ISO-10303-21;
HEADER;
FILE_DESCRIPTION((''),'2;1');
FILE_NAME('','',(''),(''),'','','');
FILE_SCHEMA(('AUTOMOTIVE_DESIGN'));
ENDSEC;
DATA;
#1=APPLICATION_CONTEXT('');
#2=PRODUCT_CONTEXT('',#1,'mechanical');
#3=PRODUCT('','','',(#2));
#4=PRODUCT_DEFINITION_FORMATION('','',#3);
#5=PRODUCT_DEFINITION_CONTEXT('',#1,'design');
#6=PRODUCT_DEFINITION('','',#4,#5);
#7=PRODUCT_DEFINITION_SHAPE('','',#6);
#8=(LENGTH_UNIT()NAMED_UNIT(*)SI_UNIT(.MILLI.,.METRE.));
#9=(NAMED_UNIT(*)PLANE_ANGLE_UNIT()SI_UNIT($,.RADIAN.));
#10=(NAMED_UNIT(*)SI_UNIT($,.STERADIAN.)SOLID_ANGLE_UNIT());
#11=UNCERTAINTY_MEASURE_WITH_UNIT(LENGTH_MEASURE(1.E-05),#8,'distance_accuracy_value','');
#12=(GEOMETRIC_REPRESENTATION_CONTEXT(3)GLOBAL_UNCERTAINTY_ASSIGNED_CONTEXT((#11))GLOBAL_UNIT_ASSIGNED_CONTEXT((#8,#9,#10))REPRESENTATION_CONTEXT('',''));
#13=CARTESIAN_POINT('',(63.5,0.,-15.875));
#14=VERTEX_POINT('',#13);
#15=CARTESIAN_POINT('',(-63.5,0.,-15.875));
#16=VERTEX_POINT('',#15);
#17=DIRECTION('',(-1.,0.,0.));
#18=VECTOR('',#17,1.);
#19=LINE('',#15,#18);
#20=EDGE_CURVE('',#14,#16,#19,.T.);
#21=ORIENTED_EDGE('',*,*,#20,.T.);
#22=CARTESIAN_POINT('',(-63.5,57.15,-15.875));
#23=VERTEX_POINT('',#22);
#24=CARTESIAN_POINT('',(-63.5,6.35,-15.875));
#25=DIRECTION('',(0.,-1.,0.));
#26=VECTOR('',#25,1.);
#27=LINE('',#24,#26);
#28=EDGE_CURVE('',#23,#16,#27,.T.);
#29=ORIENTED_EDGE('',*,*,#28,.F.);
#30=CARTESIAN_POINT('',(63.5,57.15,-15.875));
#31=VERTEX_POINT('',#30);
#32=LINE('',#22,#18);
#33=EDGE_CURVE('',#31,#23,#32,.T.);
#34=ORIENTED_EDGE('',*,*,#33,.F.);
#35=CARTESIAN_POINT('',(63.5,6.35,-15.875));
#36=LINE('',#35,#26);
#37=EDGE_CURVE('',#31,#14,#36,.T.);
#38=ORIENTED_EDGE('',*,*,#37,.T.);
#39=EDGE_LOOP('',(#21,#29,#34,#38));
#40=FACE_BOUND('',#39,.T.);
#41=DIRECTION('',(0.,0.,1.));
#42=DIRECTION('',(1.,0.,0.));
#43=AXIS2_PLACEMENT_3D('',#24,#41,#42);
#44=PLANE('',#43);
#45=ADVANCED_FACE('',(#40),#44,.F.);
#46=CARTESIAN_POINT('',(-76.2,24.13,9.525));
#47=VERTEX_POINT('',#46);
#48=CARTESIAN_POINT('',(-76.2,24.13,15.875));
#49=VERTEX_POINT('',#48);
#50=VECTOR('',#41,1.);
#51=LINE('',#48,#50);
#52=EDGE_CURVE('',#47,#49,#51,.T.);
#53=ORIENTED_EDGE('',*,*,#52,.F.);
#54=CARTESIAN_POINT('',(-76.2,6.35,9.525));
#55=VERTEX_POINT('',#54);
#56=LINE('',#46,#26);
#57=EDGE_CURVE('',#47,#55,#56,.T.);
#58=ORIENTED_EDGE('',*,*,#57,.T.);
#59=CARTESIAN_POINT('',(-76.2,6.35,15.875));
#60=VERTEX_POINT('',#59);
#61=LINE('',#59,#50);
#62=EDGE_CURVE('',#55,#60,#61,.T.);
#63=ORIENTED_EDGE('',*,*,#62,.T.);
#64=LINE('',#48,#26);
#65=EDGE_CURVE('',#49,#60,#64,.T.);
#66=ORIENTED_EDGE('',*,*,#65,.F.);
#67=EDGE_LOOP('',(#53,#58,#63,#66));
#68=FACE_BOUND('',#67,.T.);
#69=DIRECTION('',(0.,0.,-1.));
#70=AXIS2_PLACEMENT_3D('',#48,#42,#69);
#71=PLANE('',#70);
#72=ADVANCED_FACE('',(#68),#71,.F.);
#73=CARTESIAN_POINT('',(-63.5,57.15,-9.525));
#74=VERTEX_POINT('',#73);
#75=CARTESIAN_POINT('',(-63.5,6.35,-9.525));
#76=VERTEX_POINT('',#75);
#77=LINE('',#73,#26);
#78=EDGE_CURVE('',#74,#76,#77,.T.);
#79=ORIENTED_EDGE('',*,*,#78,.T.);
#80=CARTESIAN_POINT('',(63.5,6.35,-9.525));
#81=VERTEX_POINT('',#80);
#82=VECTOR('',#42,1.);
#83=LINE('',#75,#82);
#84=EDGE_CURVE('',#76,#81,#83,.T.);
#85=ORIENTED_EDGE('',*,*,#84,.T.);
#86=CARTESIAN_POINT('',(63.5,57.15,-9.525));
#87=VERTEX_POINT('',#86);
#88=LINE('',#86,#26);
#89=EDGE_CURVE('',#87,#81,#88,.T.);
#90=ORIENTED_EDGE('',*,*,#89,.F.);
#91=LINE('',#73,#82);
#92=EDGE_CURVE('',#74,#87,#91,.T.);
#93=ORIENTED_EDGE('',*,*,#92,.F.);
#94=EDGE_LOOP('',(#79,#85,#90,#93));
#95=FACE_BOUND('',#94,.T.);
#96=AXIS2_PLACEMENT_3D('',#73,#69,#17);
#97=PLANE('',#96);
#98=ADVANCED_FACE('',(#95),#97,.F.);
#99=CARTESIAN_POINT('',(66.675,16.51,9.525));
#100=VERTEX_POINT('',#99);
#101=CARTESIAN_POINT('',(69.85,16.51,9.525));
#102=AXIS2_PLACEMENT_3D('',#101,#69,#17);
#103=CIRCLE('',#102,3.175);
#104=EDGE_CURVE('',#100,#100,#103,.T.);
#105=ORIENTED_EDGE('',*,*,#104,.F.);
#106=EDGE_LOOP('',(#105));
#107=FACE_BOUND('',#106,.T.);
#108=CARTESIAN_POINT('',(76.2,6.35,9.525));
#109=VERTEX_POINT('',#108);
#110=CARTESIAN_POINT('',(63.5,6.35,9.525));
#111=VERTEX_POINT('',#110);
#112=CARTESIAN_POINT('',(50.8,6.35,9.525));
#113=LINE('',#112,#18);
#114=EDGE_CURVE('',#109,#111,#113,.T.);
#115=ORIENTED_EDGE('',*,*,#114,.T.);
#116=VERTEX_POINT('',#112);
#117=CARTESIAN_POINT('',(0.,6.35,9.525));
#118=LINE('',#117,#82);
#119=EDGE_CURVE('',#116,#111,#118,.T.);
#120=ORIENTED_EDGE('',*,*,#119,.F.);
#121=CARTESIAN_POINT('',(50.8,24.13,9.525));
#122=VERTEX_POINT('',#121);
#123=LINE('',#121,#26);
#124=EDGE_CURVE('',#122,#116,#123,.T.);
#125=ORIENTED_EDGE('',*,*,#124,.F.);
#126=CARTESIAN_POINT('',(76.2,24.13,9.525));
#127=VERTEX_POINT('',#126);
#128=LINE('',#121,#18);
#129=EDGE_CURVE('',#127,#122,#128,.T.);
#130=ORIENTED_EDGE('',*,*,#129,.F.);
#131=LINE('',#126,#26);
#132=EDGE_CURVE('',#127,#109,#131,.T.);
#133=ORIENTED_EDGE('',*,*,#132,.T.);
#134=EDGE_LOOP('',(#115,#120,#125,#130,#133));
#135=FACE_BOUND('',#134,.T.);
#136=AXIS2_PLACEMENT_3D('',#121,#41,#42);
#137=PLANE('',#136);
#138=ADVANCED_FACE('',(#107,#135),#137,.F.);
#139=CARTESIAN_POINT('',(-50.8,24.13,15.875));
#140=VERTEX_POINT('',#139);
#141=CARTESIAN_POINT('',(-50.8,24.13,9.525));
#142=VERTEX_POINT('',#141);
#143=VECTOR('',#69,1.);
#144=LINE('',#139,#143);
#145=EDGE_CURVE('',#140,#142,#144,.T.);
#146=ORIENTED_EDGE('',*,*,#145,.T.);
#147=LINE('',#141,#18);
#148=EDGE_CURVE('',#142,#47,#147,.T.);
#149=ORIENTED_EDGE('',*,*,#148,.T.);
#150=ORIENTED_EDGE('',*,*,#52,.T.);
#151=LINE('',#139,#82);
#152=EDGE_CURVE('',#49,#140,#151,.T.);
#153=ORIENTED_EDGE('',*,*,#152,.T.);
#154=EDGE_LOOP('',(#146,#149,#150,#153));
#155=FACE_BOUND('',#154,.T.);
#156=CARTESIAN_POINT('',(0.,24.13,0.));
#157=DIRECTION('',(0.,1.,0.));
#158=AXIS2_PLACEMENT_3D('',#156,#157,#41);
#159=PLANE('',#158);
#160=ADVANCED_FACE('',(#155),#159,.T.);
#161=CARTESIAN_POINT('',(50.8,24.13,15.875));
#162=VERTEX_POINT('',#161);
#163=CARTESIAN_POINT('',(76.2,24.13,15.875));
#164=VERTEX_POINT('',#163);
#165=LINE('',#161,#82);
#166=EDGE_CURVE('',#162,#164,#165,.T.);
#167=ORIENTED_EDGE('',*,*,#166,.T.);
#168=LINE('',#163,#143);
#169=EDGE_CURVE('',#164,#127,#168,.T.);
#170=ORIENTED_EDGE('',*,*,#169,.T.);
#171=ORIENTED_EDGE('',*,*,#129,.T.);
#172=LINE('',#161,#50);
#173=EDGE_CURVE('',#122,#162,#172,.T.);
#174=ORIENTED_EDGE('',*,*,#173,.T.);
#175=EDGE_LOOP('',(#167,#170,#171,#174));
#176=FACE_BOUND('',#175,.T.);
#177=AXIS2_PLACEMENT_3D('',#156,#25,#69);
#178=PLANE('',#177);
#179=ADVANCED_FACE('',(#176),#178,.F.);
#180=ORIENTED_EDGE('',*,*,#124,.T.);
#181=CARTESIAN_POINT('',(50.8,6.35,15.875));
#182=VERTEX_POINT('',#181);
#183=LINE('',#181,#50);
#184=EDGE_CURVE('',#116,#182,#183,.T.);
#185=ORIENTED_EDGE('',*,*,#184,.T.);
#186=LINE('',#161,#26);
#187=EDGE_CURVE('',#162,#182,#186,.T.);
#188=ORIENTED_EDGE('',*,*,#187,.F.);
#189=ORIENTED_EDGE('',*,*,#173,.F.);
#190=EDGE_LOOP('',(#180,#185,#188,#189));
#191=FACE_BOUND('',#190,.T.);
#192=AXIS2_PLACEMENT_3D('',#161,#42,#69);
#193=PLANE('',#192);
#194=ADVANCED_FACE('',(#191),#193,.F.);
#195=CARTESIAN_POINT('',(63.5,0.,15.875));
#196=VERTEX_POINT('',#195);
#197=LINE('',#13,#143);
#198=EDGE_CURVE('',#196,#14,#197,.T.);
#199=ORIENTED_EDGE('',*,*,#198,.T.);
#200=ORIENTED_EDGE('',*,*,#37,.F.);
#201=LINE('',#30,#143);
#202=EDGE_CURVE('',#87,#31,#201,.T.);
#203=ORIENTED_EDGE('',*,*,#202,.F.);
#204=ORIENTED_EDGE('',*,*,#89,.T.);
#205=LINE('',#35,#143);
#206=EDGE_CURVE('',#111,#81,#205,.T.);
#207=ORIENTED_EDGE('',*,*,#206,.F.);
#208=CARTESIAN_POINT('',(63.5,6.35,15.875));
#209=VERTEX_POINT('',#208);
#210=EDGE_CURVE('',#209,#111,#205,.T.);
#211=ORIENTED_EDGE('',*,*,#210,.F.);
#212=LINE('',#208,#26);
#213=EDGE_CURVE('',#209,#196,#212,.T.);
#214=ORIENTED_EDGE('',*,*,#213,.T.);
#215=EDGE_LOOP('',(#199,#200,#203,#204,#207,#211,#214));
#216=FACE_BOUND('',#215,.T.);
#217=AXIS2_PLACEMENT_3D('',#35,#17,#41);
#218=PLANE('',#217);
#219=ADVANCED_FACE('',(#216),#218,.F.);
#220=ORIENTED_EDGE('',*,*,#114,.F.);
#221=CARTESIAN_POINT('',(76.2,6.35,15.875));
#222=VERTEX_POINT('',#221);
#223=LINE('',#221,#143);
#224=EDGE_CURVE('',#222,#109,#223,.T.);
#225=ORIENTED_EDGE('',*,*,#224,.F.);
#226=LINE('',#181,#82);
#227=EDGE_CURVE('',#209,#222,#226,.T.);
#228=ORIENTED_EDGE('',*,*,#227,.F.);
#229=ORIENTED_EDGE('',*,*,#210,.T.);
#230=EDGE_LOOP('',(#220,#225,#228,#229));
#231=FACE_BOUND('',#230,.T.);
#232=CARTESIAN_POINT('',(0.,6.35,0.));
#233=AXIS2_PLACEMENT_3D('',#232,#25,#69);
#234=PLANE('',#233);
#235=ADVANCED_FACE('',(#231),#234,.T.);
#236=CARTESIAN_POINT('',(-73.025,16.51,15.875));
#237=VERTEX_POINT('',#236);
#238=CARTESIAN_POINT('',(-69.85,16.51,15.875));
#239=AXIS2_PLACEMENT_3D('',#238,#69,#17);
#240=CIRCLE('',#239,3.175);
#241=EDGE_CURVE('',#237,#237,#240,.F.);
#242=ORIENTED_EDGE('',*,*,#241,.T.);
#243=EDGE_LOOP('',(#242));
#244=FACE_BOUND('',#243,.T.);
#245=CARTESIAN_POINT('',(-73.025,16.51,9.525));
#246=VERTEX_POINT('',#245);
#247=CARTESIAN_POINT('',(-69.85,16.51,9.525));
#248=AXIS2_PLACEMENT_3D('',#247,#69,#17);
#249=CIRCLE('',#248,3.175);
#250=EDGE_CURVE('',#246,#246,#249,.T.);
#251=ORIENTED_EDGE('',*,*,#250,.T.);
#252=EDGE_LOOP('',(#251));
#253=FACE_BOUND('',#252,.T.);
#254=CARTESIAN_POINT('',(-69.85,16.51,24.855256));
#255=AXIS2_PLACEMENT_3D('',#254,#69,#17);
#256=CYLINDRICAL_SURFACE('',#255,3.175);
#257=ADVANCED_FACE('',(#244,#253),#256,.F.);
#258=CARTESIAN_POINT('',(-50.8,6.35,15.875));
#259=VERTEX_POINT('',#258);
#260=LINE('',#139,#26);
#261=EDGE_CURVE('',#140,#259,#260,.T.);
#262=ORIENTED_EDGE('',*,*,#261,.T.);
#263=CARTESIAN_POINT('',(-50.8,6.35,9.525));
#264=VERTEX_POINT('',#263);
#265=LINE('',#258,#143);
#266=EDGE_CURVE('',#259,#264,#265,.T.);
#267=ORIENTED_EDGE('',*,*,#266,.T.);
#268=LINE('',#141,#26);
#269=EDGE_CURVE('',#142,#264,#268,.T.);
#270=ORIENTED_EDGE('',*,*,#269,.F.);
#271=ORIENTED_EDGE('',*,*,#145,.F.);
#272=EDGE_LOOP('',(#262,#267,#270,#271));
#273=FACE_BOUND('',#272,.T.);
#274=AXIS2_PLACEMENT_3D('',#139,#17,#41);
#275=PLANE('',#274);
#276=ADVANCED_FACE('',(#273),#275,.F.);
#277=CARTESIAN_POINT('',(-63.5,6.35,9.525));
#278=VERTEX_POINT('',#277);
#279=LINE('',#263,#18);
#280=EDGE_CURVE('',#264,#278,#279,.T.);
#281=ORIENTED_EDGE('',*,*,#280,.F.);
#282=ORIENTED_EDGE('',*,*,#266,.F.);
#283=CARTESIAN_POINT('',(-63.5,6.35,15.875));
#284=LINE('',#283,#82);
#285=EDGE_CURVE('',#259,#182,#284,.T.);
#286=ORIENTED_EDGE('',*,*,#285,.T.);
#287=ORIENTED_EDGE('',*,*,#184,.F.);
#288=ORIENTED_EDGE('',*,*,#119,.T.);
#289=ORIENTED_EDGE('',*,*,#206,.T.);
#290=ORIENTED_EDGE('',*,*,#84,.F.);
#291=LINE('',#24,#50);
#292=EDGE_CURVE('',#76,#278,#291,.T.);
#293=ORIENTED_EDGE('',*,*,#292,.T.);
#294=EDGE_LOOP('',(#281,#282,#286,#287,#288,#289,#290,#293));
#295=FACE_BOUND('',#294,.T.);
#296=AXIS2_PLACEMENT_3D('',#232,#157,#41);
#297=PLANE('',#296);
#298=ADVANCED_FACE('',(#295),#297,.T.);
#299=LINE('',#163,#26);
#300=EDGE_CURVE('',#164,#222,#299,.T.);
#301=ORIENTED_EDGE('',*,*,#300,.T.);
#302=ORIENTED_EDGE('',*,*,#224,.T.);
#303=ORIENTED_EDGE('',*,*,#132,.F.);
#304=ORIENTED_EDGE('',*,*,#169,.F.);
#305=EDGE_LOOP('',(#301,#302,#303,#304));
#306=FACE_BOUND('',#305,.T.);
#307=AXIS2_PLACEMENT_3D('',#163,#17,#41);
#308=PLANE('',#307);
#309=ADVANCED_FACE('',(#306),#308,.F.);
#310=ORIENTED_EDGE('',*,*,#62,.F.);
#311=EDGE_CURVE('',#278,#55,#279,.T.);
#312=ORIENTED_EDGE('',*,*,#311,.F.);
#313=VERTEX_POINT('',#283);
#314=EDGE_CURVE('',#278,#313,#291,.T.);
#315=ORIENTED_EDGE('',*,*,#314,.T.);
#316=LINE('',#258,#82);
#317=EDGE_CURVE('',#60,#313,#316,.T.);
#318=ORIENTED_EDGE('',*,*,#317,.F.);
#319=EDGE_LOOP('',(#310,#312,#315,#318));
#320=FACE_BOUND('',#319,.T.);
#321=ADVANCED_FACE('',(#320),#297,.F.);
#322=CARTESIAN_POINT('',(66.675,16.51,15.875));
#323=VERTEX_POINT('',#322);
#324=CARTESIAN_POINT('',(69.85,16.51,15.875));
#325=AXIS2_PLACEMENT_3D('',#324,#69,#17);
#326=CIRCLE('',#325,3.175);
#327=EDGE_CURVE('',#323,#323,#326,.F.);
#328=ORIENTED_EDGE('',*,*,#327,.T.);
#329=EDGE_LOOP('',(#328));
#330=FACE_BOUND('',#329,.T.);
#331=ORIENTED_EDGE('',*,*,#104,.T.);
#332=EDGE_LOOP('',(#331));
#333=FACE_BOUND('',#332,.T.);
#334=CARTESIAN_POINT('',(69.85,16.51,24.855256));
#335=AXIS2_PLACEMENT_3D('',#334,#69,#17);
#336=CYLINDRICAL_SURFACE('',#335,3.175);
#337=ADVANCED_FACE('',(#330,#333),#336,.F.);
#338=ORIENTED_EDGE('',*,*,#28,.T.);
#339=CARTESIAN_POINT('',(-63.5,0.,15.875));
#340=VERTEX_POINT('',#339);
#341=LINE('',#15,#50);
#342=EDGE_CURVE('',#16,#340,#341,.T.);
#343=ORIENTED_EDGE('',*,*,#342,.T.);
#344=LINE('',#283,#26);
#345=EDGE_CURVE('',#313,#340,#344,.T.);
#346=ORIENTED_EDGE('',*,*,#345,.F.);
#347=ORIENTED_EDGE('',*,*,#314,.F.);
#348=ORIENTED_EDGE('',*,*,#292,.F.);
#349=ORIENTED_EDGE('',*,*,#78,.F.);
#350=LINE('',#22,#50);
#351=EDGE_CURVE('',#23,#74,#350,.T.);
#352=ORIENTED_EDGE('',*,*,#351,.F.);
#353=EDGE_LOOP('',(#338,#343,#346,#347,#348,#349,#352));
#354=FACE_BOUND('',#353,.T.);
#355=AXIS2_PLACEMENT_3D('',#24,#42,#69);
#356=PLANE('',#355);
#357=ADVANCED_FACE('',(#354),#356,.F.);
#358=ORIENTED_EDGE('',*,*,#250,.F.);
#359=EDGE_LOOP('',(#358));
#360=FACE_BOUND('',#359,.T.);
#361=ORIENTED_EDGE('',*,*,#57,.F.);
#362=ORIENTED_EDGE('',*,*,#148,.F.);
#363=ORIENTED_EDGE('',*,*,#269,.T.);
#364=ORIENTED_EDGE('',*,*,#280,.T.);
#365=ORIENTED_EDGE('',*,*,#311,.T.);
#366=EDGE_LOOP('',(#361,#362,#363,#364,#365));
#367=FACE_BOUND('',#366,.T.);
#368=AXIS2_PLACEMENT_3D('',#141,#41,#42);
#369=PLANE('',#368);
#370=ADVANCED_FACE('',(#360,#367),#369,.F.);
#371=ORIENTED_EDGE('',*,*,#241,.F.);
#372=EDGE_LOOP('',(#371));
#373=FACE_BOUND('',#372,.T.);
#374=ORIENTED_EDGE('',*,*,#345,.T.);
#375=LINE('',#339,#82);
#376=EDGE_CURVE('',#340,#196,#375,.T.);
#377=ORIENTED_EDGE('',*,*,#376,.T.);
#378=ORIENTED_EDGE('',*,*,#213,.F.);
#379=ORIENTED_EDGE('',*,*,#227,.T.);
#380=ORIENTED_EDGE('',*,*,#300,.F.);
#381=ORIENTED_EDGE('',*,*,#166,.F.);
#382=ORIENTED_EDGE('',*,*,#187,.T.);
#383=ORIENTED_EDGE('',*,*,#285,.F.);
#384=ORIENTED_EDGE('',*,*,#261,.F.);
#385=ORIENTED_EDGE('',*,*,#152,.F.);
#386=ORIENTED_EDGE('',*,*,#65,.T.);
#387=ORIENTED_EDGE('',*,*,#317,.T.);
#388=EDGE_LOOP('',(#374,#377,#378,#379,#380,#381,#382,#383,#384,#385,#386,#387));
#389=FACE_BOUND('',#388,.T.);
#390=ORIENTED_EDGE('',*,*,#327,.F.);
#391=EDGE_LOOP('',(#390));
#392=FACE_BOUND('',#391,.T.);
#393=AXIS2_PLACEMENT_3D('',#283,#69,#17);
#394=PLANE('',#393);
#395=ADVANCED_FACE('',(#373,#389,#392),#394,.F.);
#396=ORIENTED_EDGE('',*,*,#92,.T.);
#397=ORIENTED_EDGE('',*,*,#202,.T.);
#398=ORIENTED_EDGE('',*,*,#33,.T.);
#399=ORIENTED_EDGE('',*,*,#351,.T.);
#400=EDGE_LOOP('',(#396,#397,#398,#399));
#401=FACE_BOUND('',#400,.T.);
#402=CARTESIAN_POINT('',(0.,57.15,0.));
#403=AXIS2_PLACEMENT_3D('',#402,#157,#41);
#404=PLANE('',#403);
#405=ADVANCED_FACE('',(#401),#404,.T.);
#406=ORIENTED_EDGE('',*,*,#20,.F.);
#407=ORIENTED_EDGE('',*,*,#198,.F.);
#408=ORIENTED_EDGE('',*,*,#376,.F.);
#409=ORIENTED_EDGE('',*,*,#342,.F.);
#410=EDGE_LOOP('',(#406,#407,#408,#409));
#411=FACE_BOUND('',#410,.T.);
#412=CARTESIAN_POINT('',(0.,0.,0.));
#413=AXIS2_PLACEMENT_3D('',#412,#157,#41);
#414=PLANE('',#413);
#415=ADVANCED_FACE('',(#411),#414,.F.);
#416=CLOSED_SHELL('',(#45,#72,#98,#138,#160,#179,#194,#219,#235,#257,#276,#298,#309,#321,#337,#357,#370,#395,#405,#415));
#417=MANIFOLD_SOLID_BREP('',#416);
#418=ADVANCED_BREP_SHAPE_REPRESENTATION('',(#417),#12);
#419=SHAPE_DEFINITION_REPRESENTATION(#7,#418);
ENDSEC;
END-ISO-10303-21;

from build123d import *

# Parameters (mm, degrees)
SKETCH1_W           = 127
SKETCH1_H           = 31.75
BOSS_EXTRUDE1_DEPTH = 6.35
SKETCH2_W           = 25.4
SKETCH2_H           = 6.35
BOSS_EXTRUDE2_DEPTH = 17.78
SKETCH3_R           = 3.175
CUT_EXTRUDE1_DEPTH  = 6.35
SKETCH4_W           = 127
SKETCH4_H           = 6.35
BOSS_EXTRUDE3_DEPTH = 50.8


with BuildPart() as part:
    # Sketch1 → Boss-Extrude1 (new body)
    with BuildSketch(Plane(origin=(0, 0, 0), x_dir=(1, 0, 0), z_dir=(0, 1, 0))):
        Rectangle(SKETCH1_W, SKETCH1_H)
    extrude(amount=BOSS_EXTRUDE1_DEPTH)

    # Sketch2 → Boss-Extrude2 (add)
    with BuildSketch(Plane(origin=(0, 6.35, 0), x_dir=(1, 0, 0), z_dir=(0, 1, 0))):
        with Locations((-63.5, -12.7)):
            Rectangle(SKETCH2_W, SKETCH2_H)
        with Locations((63.5, -12.7)):
            Rectangle(SKETCH2_W, SKETCH2_H)
    extrude(amount=BOSS_EXTRUDE2_DEPTH)

    # Sketch3 → Cut-Extrude1 (cut)
    with BuildSketch(Plane(origin=(0, 0, 9.525), x_dir=(-1, 0, 0), z_dir=(0, 0, -1))):
        with Locations((69.85, 16.51)):
            Circle(SKETCH3_R)
        with Locations((-69.85, 16.51)):
            Circle(SKETCH3_R)
    extrude(amount=-CUT_EXTRUDE1_DEPTH, mode=Mode.SUBTRACT)

    # Sketch4 → Boss-Extrude3 (add)
    with BuildSketch(Plane(origin=(0, 6.35, 0), x_dir=(1, 0, 0), z_dir=(0, 1, 0))):
        with Locations((0, 12.7)):
            Rectangle(SKETCH4_W, SKETCH4_H)
    extrude(amount=BOSS_EXTRUDE3_DEPTH)


solid = part.part
